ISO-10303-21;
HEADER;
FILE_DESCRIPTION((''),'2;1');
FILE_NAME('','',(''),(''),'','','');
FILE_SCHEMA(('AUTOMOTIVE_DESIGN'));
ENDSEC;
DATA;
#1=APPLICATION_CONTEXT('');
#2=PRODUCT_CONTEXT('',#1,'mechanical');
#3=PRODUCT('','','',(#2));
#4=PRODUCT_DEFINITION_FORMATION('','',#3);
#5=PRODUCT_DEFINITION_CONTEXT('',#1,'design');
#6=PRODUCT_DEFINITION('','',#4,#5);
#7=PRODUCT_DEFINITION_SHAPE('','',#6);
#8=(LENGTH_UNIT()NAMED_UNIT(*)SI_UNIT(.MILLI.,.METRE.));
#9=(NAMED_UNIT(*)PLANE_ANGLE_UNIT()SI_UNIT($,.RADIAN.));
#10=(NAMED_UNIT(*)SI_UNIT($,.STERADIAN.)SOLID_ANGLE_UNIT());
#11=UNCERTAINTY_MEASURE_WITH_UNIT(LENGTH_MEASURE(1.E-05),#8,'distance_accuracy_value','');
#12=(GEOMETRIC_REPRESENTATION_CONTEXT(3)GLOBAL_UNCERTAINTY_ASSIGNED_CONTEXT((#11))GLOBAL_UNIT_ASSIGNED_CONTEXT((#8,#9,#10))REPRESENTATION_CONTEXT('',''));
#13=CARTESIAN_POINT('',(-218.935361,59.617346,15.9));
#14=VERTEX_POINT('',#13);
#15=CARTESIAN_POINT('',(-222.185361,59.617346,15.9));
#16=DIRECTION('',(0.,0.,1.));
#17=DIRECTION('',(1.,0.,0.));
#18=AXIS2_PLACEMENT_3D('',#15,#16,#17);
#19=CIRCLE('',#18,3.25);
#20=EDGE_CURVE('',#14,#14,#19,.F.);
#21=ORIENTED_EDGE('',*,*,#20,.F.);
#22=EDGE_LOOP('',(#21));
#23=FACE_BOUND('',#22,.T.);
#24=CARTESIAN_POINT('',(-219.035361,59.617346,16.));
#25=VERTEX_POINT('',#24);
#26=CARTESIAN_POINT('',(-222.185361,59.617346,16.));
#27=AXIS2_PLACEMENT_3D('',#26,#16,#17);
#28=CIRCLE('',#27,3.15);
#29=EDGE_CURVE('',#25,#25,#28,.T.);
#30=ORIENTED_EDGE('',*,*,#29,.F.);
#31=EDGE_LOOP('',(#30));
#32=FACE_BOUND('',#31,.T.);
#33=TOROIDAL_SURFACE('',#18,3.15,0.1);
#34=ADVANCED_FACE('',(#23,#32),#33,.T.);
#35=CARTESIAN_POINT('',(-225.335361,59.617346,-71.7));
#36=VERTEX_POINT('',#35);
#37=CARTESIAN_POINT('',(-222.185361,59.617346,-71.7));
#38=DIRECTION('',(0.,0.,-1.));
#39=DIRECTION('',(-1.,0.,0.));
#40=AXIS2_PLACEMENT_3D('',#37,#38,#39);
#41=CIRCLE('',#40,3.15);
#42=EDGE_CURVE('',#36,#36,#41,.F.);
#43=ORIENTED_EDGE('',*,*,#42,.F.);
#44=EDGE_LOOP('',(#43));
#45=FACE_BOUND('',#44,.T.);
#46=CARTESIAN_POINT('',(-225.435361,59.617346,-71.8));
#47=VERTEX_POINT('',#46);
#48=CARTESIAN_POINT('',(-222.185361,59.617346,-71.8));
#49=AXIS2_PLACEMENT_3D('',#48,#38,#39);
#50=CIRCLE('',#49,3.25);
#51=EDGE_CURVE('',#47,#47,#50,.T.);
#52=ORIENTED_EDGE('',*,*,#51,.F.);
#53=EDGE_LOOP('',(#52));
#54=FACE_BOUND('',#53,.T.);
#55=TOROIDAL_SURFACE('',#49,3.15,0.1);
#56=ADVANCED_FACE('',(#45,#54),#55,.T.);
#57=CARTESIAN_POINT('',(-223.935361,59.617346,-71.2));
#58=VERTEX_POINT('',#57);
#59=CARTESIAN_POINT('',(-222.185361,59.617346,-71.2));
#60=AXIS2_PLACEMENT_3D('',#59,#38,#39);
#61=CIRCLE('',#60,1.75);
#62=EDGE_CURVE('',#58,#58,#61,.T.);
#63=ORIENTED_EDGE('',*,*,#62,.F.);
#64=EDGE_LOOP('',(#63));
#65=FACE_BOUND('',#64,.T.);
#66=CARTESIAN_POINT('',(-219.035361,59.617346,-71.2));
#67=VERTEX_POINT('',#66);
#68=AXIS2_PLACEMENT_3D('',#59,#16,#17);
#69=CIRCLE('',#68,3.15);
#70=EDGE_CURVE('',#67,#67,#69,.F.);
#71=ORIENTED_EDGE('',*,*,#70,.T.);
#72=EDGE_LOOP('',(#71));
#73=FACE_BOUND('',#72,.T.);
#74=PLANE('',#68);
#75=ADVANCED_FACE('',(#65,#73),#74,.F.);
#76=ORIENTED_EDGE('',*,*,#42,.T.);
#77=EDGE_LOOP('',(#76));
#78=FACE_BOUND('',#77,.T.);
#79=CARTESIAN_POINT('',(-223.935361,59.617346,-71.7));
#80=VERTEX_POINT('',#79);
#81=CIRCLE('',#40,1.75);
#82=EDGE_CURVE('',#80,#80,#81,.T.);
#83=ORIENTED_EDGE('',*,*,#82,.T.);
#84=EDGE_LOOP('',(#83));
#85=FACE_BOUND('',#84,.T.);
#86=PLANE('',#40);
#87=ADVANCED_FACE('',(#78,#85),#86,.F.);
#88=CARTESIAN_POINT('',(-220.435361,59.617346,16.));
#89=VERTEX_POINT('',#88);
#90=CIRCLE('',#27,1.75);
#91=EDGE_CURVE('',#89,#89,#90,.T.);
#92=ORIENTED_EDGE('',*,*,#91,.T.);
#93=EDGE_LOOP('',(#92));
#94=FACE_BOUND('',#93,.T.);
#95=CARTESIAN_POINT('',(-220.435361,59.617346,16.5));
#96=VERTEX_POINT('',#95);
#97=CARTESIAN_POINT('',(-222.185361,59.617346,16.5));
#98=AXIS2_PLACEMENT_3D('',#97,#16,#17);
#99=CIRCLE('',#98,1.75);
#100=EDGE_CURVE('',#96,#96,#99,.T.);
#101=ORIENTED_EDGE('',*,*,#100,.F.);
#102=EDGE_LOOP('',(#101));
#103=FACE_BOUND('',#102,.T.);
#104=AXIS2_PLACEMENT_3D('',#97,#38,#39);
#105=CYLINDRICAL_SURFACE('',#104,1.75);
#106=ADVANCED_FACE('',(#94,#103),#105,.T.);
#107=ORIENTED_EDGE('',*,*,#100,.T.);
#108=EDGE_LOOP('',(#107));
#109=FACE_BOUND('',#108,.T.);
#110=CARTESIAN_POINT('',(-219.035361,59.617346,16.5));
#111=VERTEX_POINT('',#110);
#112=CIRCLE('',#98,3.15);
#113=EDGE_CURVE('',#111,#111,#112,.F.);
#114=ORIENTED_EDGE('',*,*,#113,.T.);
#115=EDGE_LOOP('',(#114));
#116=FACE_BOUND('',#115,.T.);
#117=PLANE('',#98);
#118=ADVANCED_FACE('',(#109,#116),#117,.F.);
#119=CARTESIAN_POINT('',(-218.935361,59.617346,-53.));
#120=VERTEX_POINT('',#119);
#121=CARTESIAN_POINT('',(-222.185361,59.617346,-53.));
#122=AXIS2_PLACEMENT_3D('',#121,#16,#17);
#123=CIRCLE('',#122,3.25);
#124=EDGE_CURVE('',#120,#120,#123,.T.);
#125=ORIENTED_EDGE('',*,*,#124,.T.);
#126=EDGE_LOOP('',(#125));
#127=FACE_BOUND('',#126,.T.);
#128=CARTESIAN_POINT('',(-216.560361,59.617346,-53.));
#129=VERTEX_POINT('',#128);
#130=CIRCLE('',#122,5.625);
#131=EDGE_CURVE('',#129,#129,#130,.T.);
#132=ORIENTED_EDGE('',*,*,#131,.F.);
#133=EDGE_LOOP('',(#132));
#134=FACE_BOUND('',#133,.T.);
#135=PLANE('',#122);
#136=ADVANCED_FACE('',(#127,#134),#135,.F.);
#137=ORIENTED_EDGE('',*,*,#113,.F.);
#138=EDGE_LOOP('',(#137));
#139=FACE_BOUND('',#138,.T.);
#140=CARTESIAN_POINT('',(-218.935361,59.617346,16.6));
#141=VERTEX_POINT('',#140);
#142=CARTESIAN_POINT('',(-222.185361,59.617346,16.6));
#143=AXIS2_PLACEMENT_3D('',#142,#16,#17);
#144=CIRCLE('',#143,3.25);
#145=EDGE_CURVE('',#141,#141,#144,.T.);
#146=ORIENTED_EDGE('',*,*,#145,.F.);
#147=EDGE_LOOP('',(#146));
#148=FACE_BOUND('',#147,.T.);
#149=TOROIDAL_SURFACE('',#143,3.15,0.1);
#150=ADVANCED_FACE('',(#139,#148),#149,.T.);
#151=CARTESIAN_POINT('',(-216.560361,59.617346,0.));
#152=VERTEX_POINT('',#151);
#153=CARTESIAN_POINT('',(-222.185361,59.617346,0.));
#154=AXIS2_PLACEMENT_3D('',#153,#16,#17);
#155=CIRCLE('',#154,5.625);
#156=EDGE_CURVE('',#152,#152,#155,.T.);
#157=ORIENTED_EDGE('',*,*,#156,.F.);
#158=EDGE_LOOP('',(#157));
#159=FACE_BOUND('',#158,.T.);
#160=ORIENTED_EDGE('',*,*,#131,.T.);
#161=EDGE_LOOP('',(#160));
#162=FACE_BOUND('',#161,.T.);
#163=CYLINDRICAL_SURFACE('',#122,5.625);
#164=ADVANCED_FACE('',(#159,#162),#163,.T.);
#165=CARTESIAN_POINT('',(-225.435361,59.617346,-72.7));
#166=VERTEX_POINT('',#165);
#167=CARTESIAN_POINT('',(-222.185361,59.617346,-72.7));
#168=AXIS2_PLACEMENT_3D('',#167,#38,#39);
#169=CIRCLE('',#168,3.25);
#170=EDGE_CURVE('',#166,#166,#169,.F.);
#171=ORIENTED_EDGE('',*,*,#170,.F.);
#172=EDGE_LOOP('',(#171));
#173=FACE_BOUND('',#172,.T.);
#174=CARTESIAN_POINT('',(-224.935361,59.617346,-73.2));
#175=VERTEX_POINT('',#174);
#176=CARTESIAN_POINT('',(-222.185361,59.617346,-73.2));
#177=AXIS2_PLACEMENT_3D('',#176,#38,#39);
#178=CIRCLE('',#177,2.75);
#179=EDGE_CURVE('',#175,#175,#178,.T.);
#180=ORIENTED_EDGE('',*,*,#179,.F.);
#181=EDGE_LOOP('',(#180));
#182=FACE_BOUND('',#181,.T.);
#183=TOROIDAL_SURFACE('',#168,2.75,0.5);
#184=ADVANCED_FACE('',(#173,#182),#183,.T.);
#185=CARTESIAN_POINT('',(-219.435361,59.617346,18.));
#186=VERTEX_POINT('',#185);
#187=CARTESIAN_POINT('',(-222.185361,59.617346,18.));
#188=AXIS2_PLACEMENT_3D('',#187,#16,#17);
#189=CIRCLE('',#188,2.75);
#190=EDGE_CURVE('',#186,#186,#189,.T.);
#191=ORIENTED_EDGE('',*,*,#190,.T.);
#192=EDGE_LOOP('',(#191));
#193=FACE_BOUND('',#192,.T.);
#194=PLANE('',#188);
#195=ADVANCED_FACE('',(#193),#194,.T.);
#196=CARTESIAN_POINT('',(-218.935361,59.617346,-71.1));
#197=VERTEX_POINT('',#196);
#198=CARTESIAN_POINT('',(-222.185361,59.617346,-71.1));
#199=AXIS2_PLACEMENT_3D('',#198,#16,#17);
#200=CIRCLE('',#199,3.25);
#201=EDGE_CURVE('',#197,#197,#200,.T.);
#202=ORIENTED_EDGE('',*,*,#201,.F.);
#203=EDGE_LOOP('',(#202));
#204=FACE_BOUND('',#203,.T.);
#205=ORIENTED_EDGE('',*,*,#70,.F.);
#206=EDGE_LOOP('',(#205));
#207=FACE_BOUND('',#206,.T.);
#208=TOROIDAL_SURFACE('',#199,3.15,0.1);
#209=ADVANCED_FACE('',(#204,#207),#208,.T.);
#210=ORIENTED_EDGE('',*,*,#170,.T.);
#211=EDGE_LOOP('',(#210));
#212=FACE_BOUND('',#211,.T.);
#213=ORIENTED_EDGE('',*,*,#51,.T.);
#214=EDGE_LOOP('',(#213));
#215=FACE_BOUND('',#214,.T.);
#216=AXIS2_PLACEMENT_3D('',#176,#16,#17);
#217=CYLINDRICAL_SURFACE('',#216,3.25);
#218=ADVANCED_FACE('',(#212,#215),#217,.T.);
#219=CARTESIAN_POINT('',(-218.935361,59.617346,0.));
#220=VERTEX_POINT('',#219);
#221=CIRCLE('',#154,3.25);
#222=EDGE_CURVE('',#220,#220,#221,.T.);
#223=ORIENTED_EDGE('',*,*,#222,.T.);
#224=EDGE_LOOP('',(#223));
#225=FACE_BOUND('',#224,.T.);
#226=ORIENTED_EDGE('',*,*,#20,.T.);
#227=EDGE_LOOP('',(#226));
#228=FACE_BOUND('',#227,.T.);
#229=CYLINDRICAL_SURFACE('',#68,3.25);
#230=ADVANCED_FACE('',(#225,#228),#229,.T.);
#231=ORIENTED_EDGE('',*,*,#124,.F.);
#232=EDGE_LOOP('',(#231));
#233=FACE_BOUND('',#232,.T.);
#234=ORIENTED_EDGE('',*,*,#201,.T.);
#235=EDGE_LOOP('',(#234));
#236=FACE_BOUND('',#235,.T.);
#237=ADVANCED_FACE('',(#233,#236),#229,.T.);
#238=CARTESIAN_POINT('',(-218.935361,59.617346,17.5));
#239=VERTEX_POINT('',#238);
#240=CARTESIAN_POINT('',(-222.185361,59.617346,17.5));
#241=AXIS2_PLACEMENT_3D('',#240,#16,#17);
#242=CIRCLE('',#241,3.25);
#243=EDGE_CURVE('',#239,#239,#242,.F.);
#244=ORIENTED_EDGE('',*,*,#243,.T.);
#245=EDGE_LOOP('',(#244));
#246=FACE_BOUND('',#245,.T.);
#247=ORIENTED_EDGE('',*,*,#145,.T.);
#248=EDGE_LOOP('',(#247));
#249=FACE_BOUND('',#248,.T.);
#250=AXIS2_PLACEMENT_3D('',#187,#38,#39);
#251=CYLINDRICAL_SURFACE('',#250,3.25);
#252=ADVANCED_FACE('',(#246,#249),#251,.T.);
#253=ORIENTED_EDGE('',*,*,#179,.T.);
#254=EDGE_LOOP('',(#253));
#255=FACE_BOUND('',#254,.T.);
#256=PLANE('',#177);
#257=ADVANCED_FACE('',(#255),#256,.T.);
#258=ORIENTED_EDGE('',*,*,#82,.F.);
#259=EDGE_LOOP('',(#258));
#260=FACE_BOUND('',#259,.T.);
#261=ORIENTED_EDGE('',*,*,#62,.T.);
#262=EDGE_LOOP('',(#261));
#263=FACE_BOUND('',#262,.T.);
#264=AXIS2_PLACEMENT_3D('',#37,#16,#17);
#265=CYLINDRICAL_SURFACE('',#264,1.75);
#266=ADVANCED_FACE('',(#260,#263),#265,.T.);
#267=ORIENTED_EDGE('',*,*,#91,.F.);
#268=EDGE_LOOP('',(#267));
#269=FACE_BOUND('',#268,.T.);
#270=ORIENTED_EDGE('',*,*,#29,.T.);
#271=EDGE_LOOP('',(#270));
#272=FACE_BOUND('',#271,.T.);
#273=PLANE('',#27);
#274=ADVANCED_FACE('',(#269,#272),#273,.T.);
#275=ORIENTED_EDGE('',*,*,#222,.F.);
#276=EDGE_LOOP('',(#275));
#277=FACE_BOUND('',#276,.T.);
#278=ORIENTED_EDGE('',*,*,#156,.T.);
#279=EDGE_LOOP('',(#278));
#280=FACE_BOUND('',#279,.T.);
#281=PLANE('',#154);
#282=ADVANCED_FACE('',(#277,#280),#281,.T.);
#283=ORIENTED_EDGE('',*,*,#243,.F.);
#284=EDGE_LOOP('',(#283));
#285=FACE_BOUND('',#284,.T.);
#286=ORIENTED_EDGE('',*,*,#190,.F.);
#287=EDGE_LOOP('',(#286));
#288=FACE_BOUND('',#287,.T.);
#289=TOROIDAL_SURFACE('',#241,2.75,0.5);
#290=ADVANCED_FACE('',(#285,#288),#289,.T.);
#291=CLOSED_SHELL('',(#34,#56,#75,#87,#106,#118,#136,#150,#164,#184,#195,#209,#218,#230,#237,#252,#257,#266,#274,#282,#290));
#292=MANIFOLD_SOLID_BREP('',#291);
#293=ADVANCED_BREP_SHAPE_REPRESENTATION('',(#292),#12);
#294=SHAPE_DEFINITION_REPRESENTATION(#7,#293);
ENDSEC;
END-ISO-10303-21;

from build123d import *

# Parameters (mm, degrees)
SKETCH1_R                = 5.625
BOSS_EXTRUDE1_DEPTH      = 53
BOSS_EXTRUDE2_DEPTH      = 16
BOSS_EXTRUDE2_DEPTH_BACK = 71.2
SKETCH2_R                = 3.25
SKETCH3_R                = 1.75
BOSS_EXTRUDE3_DEPTH      = 0.5
BOSS_EXTRUDE4_START      = 0.5
SKETCH4_R                = 1.75
BOSS_EXTRUDE4_DEPTH      = 0.5
SKETCH5_R                = 3.25
BOSS_EXTRUDE5_DEPTH      = 1.5
BOSS_EXTRUDE6_START      = 1.5
SKETCH6_R                = 3.25
BOSS_EXTRUDE6_DEPTH      = 1.5
FILLET1_R                = 0.1
FILLET2_R                = 0.5


with BuildPart() as part:
    # Sketch1 → Boss-Extrude1 (new body)
    with BuildSketch(Plane.XY):
        with Locations((-222.185360959, 59.617346216)):
            Circle(SKETCH1_R)
    extrude(amount=-BOSS_EXTRUDE1_DEPTH)

    # Sketch2 → Boss-Extrude2 (add, two sides: drawn at the far end of the back side and taken through both)
    with BuildSketch(Plane.XY.offset(-BOSS_EXTRUDE2_DEPTH_BACK)):
        with Locations((-222.185360959, 59.617346216)):
            Circle(SKETCH2_R)
    extrude(amount=BOSS_EXTRUDE2_DEPTH + BOSS_EXTRUDE2_DEPTH_BACK)

    # Sketch3 → Boss-Extrude3 (add)
    with BuildSketch(Plane.XY.offset(16)):
        with Locations((-222.185360959, 59.617346216)):
            Circle(SKETCH3_R)
    extrude(amount=BOSS_EXTRUDE3_DEPTH)

    # Sketch4 → Boss-Extrude4 (add)
    with BuildSketch(Plane(origin=(0, 0, -71.2), x_dir=(-1, 0, 0), z_dir=(0, 0, -1)).offset(BOSS_EXTRUDE4_START)):
        with Locations(Location((222.185360959, 59.617346216, 0), (0, 0, 180))):
            Circle(SKETCH4_R)
    extrude(amount=-BOSS_EXTRUDE4_DEPTH)

    # Sketch5 → Boss-Extrude5 (add)
    with BuildSketch(Plane(origin=(0, 0, -71.7), x_dir=(-1, 0, 0), z_dir=(0, 0, -1))):
        with Locations(Location((222.185360959, 59.617346216, 0), (0, 0, 180))):
            Circle(SKETCH5_R)
    extrude(amount=BOSS_EXTRUDE5_DEPTH)

    # Sketch6 → Boss-Extrude6 (add)
    with BuildSketch(Plane.XY.offset(16.5).offset(BOSS_EXTRUDE6_START)):
        with Locations((-222.185360959, 59.617346216)):
            Circle(SKETCH6_R)
    extrude(amount=-BOSS_EXTRUDE6_DEPTH)

    # Fillet1
    fillet1_edges = [part.edges().sort_by_distance(p)[0] for p in [
        (-225.435360959, 59.617346216, -71.7),
        (-225.435360959, 59.617346216, 16.5),
        (-225.435360959, 59.617346216, -71.2),
        (-225.435360959, 59.617346216, 16),
    ]]
    fillet(fillet1_edges, radius=FILLET1_R)

    # Fillet2
    fillet2_edges = [part.edges().sort_by_distance(p)[0] for p in [
        (-225.435360959, 59.617346216, -73.2),
        (-225.435360959, 59.617346216, 18),
    ]]
    fillet(fillet2_edges, radius=FILLET2_R)


solid = part.part
